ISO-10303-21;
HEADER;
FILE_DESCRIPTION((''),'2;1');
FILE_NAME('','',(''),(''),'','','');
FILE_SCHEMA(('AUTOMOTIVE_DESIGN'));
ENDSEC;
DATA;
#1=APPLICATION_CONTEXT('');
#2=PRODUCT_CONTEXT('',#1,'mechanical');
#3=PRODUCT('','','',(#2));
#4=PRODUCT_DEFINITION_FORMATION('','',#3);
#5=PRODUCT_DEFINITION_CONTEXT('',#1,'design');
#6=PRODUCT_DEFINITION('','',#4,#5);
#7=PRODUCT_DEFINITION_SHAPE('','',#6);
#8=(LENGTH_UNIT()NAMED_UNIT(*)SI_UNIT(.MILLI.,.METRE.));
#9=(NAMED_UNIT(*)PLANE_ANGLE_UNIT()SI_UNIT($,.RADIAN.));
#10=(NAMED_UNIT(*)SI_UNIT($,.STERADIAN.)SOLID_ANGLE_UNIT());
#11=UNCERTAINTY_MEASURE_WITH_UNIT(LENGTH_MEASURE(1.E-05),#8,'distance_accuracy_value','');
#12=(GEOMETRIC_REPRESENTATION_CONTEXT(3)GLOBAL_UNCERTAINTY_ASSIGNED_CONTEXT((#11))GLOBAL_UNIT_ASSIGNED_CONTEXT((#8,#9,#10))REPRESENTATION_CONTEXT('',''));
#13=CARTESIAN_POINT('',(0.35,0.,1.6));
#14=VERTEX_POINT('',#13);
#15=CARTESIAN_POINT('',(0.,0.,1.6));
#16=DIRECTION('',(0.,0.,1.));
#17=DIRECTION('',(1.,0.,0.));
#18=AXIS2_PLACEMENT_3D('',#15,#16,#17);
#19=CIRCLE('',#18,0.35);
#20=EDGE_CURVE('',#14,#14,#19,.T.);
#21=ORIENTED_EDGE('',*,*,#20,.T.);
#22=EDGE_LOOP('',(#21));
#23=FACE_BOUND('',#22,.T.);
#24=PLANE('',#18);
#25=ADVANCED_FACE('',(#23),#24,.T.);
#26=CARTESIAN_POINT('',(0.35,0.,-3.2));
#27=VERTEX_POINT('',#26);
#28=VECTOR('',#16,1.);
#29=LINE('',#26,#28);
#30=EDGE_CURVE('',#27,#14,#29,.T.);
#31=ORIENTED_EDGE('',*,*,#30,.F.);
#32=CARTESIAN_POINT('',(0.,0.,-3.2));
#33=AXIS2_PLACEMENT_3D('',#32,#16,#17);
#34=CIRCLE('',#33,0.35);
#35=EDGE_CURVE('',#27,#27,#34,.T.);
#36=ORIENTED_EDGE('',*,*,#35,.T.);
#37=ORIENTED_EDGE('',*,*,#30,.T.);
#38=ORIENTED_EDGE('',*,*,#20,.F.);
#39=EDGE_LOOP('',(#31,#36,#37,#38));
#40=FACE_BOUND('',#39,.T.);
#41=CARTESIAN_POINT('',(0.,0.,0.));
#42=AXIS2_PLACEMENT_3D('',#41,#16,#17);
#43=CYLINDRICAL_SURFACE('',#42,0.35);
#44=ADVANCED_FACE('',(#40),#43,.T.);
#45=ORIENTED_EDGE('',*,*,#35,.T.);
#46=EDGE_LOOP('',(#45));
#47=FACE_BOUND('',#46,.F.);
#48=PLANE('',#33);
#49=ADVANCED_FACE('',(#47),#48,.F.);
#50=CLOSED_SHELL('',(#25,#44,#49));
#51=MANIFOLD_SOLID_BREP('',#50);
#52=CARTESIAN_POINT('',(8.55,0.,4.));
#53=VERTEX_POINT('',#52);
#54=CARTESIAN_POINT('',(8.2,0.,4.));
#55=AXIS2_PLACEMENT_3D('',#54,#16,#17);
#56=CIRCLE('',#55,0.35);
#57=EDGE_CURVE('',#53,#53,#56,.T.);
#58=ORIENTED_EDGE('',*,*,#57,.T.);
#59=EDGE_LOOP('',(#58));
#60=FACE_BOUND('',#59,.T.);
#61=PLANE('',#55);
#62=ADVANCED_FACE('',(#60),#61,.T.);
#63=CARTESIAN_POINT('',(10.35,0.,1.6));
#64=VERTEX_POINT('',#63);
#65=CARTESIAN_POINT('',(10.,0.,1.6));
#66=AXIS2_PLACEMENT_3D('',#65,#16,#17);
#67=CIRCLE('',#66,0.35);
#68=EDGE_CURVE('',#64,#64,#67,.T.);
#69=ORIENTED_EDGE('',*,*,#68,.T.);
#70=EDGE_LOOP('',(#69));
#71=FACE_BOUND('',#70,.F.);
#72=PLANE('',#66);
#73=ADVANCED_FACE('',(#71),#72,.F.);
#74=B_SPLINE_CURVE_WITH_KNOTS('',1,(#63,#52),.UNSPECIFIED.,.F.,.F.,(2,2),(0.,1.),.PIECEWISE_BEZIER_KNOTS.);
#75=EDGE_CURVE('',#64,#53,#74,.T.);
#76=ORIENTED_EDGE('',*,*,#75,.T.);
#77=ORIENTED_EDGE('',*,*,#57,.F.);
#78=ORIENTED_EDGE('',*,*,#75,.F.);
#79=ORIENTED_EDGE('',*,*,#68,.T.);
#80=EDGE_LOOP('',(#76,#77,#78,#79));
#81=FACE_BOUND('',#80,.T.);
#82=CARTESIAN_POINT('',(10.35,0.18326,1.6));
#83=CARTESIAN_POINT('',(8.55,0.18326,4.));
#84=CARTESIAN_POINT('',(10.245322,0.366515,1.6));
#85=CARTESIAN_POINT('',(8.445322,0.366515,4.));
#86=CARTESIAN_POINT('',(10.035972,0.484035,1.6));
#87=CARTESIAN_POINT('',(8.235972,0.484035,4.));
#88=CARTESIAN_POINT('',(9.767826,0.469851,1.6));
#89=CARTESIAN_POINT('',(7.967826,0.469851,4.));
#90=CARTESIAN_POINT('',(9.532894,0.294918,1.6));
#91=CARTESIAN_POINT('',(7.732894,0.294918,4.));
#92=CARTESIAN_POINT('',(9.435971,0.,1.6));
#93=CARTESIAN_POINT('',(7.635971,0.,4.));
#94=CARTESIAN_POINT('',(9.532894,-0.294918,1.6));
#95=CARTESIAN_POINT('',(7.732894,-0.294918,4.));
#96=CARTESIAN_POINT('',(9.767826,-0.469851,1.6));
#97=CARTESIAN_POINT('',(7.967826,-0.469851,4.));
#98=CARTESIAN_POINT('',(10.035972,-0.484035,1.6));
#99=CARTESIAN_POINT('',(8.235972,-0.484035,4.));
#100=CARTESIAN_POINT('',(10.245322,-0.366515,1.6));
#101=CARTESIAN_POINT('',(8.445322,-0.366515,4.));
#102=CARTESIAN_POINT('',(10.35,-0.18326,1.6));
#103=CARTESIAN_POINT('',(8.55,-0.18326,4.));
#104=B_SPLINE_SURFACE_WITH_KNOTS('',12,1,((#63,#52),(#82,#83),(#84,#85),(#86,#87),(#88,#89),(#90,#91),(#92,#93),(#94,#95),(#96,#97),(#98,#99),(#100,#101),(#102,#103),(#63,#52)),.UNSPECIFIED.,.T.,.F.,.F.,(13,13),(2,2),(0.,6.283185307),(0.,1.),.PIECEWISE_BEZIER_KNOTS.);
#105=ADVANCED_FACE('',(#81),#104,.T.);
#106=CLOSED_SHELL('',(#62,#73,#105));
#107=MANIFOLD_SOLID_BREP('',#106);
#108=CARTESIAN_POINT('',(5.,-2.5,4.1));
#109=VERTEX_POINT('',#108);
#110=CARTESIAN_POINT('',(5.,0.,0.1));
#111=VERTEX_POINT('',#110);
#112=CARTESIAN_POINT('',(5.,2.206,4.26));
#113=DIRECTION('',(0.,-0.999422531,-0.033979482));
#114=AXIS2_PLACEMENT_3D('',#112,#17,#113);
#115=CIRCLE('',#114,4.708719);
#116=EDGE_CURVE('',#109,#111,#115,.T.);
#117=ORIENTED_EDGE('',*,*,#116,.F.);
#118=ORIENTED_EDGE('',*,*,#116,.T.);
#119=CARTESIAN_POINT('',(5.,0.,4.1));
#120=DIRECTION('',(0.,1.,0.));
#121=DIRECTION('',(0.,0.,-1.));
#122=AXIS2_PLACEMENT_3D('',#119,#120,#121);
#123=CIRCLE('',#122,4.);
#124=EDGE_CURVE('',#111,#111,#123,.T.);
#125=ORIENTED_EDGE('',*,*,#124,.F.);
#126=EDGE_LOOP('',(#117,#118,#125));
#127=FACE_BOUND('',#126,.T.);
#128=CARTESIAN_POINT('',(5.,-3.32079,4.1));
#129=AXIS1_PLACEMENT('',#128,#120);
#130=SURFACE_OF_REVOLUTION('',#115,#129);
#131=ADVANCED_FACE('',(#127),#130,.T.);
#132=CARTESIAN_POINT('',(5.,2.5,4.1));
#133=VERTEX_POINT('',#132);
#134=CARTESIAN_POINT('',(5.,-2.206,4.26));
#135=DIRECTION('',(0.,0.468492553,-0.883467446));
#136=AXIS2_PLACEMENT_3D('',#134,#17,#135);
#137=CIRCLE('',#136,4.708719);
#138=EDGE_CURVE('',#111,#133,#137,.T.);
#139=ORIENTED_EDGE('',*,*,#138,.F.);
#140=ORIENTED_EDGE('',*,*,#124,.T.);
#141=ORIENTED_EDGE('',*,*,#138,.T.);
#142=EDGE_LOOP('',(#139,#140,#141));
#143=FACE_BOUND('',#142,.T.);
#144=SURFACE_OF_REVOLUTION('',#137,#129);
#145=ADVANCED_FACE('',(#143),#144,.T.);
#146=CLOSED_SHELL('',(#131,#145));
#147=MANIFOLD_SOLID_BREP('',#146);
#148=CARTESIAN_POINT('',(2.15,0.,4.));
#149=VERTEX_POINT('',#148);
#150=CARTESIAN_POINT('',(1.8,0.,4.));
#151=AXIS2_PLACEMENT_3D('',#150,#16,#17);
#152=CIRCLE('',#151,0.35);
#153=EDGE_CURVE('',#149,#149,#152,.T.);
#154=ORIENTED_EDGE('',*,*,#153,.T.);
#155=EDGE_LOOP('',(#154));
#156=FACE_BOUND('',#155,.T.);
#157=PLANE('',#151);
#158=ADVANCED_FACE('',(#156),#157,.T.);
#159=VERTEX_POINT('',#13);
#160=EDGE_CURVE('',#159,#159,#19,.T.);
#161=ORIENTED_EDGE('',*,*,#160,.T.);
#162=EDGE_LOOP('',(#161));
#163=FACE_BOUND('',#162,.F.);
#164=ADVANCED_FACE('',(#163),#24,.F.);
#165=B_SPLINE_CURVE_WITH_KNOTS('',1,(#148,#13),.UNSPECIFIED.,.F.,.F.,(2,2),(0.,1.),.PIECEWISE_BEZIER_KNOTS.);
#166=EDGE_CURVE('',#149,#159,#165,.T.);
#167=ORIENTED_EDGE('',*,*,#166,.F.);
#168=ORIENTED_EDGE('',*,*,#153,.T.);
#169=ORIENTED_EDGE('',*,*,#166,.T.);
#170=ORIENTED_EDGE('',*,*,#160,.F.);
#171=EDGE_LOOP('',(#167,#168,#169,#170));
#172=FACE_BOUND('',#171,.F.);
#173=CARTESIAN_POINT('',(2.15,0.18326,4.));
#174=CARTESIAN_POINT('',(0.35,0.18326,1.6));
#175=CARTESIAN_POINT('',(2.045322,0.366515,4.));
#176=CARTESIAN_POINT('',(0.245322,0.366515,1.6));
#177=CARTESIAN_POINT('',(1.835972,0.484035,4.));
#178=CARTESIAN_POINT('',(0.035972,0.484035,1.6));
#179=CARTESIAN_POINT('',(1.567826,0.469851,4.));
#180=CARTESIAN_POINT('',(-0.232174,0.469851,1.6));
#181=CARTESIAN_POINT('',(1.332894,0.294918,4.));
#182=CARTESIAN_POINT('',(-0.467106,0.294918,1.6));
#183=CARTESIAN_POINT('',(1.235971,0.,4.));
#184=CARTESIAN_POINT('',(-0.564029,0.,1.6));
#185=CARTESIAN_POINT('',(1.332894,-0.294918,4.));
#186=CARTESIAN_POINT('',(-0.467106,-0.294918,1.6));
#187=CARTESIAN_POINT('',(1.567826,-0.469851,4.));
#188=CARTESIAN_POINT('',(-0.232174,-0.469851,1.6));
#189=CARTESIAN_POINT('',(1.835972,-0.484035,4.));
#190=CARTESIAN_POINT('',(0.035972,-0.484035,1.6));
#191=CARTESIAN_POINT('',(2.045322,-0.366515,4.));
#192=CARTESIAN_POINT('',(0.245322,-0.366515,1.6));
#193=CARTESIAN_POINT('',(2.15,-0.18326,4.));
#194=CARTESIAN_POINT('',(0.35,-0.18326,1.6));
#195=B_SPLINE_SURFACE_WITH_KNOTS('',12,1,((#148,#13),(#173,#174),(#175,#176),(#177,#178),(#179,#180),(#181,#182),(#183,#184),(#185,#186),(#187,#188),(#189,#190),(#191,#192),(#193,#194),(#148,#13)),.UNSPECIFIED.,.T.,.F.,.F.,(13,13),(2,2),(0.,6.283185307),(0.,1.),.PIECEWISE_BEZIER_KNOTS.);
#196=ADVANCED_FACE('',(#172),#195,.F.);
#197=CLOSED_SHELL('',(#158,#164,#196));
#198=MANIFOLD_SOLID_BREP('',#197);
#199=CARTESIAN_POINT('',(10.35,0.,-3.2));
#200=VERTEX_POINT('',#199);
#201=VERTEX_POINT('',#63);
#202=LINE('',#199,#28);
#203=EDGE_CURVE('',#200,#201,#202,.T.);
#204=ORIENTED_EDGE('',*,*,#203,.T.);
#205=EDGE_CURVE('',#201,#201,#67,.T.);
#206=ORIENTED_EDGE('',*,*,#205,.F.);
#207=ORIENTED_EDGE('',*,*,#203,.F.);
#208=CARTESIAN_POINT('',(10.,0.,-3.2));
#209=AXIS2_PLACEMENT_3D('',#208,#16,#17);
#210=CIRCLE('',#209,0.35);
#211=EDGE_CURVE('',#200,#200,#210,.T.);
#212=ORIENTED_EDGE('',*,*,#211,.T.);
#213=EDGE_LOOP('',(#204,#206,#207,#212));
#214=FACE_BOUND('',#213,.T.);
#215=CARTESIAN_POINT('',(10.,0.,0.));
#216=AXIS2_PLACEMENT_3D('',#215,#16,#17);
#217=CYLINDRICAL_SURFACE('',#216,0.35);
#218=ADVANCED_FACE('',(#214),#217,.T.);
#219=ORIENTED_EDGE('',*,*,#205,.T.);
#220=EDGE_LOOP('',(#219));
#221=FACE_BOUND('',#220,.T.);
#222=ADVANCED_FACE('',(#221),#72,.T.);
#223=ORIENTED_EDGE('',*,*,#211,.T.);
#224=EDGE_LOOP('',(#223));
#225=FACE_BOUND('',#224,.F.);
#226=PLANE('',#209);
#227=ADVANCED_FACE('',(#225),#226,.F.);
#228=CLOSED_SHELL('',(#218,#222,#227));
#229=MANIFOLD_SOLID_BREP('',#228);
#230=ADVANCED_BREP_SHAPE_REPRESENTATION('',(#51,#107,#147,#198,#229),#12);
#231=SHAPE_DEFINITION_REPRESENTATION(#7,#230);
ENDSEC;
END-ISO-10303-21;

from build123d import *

# Parameters (mm, degrees)
SKETCH001_R       = 0.35
PAD001_DEPTH      = 1.6
PAD001_DEPTH_BACK = 3.2
SKETCH002_R       = 0.35
SKETCH003_R       = 0.35
SKETCH004_R       = 0.35
SKETCH005_R       = 0.35


with BuildPart() as pad001:
    # Sketch001 → Pad001 (new body, two sides)
    with BuildSketch(Plane.XY) as pad001_sk:
        Circle(SKETCH001_R)
        with Locations((10, 0)):
            Circle(SKETCH001_R)
    extrude(amount=PAD001_DEPTH)
    extrude(pad001_sk.sketch, amount=-PAD001_DEPTH_BACK)


with BuildPart() as revolution:
    # Sketch → Revolution (revolve)
    with BuildSketch(Plane.YZ.offset(5)):
        with BuildLine():
            Line((-2.5, 4.1), (2.5, 4.1))
            ThreePointArc((0, 0.1), (1.786986, 1.764384), (2.5, 4.1))
            ThreePointArc((-2.5, 4.1), (-1.786986, 1.764384), (0, 0.1))
        make_face()
    revolve(axis=Axis((5, -3.32079, 4.1), (0, 1, 0)))


with BuildPart() as loft_body:
    # Sketch002 → Loft section 0
    with BuildSketch(Plane.XY.offset(4)):
        with Locations((1.8, 0)):
            Circle(SKETCH002_R)
    # Sketch003 → Loft section 1
    with BuildSketch(Plane.XY.offset(1.6)):
        Circle(SKETCH003_R)
    loft()


with BuildPart() as loft001:
    # Sketch004 → Loft001 section 0
    with BuildSketch(Plane.XY.offset(1.6)):
        with Locations((10, 0)):
            Circle(SKETCH004_R)
    # Sketch005 → Loft001 section 1
    with BuildSketch(Plane.XY.offset(4)):
        with Locations((8.2, 0)):
            Circle(SKETCH005_R)
    loft()


solid = Compound([pad001.part, revolution.part, loft_body.part, loft001.part])
